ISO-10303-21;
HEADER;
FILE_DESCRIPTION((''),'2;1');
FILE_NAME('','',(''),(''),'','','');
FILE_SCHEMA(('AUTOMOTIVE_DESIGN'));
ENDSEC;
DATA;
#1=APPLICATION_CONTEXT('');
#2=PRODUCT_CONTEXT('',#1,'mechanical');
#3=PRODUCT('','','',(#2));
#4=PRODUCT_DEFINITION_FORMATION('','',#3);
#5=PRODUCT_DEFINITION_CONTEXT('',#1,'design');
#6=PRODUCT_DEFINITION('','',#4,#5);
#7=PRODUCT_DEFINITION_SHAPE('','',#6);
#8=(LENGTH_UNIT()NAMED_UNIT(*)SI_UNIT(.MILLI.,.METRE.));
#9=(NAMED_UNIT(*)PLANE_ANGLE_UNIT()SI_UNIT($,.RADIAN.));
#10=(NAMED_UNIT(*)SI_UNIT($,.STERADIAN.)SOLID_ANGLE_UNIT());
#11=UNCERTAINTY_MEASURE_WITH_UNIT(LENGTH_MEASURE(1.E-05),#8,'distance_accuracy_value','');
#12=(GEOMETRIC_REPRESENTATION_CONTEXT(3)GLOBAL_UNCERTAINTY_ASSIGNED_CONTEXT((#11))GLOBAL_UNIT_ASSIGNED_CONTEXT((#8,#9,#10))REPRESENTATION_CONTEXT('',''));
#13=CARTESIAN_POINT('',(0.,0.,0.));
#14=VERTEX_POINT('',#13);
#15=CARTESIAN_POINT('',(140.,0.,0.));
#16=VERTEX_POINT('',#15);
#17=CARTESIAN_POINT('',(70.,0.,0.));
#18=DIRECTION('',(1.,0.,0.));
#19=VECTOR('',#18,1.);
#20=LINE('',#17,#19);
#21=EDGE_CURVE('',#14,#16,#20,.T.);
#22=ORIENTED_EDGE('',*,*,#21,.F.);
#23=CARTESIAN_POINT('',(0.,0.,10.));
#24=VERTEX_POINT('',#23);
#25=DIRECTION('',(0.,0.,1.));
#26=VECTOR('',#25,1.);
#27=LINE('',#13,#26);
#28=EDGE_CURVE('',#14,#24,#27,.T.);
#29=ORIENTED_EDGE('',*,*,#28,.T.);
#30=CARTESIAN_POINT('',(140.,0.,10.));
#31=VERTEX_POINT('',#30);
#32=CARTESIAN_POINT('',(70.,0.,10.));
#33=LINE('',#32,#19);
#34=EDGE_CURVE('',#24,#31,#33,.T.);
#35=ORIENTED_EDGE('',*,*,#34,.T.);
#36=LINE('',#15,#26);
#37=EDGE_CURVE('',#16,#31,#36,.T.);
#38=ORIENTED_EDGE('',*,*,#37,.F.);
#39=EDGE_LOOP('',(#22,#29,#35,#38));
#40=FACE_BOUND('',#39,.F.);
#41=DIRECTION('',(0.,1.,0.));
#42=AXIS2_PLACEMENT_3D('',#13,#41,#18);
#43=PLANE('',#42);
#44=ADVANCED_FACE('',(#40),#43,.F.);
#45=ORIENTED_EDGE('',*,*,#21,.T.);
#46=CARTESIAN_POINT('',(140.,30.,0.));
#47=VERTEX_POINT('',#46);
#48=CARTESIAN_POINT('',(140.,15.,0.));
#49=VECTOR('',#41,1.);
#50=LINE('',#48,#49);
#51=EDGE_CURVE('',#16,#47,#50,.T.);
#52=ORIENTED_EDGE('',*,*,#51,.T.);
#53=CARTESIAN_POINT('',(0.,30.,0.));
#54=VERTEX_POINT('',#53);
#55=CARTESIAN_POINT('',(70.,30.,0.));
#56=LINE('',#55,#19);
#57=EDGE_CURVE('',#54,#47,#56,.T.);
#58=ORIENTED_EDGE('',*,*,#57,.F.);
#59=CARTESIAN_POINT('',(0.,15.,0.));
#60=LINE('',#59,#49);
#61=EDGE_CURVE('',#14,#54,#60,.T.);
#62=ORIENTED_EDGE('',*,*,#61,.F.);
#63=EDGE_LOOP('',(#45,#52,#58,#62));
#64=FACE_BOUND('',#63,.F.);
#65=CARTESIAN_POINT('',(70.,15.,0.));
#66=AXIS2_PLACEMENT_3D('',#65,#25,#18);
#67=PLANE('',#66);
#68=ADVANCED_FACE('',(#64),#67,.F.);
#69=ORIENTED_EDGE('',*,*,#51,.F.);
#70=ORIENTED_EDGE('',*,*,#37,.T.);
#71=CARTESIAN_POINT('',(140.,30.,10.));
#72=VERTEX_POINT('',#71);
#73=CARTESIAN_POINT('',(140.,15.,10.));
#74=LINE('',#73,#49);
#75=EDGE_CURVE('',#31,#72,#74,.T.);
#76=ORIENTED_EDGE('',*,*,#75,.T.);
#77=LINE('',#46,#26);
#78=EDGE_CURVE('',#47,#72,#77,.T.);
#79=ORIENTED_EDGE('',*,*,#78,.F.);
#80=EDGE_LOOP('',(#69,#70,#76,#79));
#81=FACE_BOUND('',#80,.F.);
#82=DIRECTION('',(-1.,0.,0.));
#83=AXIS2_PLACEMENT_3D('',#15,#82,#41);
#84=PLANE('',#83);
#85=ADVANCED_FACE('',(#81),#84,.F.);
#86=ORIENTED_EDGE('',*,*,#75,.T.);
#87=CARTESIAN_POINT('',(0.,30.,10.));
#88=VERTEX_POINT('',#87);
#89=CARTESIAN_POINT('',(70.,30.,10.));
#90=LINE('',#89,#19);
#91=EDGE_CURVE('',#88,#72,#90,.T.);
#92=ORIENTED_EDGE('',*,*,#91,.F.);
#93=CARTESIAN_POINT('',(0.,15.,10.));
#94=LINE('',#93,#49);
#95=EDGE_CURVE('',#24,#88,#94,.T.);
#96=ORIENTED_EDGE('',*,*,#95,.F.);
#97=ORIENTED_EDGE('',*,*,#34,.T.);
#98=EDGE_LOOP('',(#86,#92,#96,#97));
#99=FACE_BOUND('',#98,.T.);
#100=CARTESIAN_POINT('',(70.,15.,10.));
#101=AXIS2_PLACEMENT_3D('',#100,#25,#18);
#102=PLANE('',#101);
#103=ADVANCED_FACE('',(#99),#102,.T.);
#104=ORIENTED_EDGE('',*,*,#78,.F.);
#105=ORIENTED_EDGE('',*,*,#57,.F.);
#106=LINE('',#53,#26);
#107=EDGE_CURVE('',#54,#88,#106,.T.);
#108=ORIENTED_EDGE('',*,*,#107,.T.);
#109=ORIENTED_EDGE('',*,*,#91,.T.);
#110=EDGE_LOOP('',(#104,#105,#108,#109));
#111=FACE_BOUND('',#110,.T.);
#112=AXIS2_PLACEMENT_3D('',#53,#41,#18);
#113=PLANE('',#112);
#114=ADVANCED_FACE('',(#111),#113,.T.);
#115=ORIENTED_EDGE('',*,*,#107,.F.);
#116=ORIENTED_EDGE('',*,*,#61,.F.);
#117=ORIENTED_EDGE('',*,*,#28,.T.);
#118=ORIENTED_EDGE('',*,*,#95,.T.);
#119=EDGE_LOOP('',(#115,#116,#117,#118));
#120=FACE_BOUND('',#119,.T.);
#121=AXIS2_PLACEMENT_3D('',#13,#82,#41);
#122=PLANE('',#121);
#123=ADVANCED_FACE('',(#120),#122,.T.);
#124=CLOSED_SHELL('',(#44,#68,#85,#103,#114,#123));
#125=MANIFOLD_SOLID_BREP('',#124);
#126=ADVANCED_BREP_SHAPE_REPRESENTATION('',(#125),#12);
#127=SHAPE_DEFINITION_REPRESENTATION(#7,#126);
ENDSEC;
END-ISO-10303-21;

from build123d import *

# Parameters (mm, degrees)
BEAM_W     = 140
BEAM_H     = 30
BEAM_DEPTH = 10


with BuildPart() as part:
    # Beam → Beam (new body)
    with BuildSketch(Plane.XY):
        with Locations((70, 15)):
            Rectangle(BEAM_W, BEAM_H)
    extrude(amount=BEAM_DEPTH)


solid = part.part
